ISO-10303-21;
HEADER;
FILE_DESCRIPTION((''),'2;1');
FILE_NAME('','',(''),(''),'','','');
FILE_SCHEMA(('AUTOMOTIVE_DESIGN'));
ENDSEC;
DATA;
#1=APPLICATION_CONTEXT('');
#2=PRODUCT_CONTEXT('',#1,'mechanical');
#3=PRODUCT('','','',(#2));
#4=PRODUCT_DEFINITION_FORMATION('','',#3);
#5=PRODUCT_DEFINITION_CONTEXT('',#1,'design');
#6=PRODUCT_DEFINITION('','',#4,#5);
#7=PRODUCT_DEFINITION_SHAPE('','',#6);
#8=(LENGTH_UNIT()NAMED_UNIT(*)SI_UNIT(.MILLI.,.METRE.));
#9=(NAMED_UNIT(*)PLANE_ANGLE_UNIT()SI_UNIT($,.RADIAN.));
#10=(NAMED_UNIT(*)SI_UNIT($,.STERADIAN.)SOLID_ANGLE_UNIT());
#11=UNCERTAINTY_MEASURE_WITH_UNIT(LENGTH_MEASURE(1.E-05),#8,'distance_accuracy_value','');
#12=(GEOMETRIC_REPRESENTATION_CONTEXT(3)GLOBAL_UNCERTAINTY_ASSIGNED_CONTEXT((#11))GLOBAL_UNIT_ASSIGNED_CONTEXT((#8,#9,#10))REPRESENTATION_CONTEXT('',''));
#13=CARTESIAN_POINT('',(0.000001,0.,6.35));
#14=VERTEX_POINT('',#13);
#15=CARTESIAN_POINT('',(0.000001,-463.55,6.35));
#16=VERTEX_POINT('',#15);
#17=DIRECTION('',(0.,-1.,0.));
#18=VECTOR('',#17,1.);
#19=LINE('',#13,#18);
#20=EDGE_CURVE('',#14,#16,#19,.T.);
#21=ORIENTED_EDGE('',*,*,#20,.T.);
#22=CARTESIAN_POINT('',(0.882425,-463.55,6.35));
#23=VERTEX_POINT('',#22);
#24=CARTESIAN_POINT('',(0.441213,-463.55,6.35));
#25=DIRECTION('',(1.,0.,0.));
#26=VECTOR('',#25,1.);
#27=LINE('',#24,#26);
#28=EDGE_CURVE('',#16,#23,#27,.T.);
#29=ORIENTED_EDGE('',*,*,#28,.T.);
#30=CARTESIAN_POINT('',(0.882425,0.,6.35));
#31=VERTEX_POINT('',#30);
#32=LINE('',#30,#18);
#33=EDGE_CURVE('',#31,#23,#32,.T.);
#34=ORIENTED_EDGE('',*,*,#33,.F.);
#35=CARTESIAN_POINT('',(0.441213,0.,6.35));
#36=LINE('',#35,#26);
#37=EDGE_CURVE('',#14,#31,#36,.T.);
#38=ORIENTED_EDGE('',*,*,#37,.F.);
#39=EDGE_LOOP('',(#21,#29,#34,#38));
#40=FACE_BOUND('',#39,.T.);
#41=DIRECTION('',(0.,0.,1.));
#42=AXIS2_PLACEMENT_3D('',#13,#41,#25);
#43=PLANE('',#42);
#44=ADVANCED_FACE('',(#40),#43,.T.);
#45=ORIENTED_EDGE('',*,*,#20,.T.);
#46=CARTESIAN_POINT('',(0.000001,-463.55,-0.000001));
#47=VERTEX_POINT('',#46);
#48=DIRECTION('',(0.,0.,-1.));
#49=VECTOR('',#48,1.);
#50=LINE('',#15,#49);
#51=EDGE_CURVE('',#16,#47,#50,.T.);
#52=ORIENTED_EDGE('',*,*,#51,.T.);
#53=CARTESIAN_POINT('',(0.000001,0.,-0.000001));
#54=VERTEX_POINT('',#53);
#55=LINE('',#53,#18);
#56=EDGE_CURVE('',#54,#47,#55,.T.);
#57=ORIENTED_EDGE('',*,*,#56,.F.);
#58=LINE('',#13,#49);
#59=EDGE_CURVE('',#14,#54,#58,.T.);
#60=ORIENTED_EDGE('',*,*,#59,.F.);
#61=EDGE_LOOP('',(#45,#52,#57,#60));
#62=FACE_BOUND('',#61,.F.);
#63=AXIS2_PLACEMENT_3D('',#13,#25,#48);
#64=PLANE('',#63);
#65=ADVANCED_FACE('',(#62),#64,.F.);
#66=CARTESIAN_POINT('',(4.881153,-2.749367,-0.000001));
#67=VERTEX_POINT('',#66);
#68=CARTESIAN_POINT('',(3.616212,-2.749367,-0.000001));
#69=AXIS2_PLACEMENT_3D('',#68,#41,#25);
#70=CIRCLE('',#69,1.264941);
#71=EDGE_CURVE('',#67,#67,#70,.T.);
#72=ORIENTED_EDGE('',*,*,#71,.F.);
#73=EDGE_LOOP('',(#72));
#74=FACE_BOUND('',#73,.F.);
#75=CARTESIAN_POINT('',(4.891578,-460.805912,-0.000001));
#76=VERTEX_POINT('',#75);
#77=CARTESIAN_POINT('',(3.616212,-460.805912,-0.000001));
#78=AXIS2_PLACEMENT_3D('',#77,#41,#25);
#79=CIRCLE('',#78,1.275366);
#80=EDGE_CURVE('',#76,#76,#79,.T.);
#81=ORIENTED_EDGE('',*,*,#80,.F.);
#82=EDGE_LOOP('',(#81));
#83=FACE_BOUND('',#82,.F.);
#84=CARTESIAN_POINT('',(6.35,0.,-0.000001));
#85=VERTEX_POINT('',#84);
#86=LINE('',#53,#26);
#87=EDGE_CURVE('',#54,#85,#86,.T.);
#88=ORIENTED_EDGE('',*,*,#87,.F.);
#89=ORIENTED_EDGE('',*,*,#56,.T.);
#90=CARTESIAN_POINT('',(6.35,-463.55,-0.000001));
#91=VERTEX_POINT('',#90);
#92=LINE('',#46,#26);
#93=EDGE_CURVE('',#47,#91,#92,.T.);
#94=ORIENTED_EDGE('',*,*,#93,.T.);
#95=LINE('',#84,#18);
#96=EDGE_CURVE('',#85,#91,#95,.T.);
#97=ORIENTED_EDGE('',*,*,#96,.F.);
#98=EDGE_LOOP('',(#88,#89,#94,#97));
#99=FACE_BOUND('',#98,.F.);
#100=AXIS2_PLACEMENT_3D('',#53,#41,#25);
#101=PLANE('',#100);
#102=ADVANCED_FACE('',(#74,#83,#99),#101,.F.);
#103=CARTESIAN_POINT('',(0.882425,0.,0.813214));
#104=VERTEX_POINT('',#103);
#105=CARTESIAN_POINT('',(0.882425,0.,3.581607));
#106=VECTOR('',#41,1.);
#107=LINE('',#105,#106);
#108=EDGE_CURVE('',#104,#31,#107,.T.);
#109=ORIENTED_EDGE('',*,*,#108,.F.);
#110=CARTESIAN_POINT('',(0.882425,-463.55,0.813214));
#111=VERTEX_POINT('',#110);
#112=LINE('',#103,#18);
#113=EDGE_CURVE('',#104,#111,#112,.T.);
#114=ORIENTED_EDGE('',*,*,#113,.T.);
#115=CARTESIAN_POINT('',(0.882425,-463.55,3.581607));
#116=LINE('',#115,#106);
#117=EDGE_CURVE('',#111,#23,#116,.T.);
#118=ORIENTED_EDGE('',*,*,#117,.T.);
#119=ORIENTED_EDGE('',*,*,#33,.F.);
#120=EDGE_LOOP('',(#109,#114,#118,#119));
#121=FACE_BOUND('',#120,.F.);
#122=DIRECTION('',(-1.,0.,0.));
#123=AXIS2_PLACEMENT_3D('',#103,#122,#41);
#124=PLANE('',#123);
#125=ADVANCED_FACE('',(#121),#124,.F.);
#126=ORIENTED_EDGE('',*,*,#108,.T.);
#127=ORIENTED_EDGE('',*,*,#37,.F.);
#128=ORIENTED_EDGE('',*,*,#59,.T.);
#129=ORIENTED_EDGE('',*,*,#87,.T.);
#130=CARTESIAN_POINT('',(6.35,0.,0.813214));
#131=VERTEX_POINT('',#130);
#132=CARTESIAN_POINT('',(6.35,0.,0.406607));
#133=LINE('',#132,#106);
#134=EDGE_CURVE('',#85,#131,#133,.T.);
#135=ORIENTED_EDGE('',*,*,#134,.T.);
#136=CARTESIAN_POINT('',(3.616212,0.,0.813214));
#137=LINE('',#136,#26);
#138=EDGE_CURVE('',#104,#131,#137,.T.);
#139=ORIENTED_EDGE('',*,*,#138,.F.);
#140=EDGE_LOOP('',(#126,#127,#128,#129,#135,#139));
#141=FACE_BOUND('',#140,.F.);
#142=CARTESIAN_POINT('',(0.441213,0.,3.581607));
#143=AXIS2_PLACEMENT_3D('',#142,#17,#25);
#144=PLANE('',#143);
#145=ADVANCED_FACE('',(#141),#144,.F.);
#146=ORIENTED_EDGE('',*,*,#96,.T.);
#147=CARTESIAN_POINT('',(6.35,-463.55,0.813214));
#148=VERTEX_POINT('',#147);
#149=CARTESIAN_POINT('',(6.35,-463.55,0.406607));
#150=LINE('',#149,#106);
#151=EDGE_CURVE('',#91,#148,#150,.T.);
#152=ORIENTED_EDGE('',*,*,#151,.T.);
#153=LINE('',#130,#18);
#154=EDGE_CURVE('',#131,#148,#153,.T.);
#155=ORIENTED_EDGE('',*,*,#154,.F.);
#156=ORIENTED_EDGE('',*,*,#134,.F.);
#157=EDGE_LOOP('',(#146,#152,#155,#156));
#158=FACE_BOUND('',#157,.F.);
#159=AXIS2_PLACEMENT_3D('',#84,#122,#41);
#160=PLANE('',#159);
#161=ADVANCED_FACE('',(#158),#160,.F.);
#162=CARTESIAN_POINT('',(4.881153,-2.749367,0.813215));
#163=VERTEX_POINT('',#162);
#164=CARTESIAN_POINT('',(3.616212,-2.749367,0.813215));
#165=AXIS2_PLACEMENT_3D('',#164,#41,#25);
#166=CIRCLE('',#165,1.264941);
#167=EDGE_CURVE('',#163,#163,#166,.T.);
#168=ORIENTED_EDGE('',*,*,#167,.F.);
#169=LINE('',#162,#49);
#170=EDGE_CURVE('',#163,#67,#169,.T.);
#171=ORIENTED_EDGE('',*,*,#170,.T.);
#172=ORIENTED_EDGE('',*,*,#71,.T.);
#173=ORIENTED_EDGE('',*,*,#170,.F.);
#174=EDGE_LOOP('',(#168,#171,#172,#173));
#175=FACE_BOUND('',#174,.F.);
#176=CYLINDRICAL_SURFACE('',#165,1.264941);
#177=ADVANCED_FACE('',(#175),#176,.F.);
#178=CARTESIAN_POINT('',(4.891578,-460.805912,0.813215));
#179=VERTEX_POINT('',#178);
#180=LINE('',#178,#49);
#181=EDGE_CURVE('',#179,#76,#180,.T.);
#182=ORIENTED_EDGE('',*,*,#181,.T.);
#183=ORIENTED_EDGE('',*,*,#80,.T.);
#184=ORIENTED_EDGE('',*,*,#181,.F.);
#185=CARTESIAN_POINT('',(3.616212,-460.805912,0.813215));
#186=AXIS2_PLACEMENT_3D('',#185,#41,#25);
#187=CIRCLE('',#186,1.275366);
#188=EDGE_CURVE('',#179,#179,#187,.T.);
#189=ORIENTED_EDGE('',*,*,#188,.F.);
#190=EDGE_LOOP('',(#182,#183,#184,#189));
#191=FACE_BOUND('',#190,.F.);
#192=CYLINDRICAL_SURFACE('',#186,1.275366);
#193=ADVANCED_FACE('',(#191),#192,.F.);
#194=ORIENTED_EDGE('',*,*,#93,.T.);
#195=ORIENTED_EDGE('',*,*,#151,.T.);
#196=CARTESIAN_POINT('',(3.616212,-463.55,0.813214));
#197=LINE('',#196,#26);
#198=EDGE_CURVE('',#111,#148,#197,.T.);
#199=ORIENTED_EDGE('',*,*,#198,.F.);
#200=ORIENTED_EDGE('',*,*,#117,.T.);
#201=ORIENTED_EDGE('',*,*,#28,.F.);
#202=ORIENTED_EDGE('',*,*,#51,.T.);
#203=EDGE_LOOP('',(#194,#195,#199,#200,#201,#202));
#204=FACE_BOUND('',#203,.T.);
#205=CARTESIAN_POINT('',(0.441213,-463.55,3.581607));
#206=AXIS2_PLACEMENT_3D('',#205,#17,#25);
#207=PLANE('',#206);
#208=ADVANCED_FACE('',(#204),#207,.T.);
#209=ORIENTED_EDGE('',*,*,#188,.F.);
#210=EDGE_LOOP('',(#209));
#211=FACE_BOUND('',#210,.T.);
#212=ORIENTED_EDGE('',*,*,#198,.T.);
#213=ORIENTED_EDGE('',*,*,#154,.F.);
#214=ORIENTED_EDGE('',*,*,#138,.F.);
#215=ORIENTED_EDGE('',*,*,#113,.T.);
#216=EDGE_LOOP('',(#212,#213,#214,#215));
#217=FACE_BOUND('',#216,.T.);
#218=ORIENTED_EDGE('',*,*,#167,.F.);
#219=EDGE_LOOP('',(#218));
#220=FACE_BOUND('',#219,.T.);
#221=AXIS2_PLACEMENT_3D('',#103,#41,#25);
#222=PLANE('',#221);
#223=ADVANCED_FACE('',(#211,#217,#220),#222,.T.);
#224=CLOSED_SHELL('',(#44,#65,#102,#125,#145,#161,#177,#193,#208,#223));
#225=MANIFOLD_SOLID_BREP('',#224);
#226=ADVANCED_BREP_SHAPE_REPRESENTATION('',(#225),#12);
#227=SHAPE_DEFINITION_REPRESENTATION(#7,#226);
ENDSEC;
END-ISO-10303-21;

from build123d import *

# Parameters (mm, degrees)
F0_W     = 0.882425
F0_H     = 5.536785
F0_W_2   = 5.467575
F0_H_2   = 0.813215
F1_DEPTH = 463.55
F2_R     = 1.264941
F3_DEPTH = 25.4
F4_R     = 1.275366
F5_DEPTH = 25.4


with BuildPart() as f1:
    # F0 (on Front) → F1 (new body)
    with BuildSketch(Plane.XZ):
        with Locations((0.441213, 3.581607)):
            Rectangle(F0_W, F0_H)
        with Locations((3.616212, 0.406607)):
            Rectangle(F0_W_2, F0_H_2)
        with Locations((0.441213, 0.406607)):
            Rectangle(F0_W, F0_H_2)
    extrude(amount=F1_DEPTH)

    # F2 (on face) → F3 (cut)
    with BuildSketch(Plane.XY.offset(0.813215)):
        with Locations((3.616212, -2.749367)):
            Circle(F2_R)
    extrude(amount=-F3_DEPTH, mode=Mode.SUBTRACT)

    # F4 (on face) → F5 (cut)
    with BuildSketch(Plane.XY.offset(0.813215)):
        with Locations((3.616212, -460.805912)):
            Circle(F4_R)
    extrude(amount=-F5_DEPTH, mode=Mode.SUBTRACT)


solid = f1.part
